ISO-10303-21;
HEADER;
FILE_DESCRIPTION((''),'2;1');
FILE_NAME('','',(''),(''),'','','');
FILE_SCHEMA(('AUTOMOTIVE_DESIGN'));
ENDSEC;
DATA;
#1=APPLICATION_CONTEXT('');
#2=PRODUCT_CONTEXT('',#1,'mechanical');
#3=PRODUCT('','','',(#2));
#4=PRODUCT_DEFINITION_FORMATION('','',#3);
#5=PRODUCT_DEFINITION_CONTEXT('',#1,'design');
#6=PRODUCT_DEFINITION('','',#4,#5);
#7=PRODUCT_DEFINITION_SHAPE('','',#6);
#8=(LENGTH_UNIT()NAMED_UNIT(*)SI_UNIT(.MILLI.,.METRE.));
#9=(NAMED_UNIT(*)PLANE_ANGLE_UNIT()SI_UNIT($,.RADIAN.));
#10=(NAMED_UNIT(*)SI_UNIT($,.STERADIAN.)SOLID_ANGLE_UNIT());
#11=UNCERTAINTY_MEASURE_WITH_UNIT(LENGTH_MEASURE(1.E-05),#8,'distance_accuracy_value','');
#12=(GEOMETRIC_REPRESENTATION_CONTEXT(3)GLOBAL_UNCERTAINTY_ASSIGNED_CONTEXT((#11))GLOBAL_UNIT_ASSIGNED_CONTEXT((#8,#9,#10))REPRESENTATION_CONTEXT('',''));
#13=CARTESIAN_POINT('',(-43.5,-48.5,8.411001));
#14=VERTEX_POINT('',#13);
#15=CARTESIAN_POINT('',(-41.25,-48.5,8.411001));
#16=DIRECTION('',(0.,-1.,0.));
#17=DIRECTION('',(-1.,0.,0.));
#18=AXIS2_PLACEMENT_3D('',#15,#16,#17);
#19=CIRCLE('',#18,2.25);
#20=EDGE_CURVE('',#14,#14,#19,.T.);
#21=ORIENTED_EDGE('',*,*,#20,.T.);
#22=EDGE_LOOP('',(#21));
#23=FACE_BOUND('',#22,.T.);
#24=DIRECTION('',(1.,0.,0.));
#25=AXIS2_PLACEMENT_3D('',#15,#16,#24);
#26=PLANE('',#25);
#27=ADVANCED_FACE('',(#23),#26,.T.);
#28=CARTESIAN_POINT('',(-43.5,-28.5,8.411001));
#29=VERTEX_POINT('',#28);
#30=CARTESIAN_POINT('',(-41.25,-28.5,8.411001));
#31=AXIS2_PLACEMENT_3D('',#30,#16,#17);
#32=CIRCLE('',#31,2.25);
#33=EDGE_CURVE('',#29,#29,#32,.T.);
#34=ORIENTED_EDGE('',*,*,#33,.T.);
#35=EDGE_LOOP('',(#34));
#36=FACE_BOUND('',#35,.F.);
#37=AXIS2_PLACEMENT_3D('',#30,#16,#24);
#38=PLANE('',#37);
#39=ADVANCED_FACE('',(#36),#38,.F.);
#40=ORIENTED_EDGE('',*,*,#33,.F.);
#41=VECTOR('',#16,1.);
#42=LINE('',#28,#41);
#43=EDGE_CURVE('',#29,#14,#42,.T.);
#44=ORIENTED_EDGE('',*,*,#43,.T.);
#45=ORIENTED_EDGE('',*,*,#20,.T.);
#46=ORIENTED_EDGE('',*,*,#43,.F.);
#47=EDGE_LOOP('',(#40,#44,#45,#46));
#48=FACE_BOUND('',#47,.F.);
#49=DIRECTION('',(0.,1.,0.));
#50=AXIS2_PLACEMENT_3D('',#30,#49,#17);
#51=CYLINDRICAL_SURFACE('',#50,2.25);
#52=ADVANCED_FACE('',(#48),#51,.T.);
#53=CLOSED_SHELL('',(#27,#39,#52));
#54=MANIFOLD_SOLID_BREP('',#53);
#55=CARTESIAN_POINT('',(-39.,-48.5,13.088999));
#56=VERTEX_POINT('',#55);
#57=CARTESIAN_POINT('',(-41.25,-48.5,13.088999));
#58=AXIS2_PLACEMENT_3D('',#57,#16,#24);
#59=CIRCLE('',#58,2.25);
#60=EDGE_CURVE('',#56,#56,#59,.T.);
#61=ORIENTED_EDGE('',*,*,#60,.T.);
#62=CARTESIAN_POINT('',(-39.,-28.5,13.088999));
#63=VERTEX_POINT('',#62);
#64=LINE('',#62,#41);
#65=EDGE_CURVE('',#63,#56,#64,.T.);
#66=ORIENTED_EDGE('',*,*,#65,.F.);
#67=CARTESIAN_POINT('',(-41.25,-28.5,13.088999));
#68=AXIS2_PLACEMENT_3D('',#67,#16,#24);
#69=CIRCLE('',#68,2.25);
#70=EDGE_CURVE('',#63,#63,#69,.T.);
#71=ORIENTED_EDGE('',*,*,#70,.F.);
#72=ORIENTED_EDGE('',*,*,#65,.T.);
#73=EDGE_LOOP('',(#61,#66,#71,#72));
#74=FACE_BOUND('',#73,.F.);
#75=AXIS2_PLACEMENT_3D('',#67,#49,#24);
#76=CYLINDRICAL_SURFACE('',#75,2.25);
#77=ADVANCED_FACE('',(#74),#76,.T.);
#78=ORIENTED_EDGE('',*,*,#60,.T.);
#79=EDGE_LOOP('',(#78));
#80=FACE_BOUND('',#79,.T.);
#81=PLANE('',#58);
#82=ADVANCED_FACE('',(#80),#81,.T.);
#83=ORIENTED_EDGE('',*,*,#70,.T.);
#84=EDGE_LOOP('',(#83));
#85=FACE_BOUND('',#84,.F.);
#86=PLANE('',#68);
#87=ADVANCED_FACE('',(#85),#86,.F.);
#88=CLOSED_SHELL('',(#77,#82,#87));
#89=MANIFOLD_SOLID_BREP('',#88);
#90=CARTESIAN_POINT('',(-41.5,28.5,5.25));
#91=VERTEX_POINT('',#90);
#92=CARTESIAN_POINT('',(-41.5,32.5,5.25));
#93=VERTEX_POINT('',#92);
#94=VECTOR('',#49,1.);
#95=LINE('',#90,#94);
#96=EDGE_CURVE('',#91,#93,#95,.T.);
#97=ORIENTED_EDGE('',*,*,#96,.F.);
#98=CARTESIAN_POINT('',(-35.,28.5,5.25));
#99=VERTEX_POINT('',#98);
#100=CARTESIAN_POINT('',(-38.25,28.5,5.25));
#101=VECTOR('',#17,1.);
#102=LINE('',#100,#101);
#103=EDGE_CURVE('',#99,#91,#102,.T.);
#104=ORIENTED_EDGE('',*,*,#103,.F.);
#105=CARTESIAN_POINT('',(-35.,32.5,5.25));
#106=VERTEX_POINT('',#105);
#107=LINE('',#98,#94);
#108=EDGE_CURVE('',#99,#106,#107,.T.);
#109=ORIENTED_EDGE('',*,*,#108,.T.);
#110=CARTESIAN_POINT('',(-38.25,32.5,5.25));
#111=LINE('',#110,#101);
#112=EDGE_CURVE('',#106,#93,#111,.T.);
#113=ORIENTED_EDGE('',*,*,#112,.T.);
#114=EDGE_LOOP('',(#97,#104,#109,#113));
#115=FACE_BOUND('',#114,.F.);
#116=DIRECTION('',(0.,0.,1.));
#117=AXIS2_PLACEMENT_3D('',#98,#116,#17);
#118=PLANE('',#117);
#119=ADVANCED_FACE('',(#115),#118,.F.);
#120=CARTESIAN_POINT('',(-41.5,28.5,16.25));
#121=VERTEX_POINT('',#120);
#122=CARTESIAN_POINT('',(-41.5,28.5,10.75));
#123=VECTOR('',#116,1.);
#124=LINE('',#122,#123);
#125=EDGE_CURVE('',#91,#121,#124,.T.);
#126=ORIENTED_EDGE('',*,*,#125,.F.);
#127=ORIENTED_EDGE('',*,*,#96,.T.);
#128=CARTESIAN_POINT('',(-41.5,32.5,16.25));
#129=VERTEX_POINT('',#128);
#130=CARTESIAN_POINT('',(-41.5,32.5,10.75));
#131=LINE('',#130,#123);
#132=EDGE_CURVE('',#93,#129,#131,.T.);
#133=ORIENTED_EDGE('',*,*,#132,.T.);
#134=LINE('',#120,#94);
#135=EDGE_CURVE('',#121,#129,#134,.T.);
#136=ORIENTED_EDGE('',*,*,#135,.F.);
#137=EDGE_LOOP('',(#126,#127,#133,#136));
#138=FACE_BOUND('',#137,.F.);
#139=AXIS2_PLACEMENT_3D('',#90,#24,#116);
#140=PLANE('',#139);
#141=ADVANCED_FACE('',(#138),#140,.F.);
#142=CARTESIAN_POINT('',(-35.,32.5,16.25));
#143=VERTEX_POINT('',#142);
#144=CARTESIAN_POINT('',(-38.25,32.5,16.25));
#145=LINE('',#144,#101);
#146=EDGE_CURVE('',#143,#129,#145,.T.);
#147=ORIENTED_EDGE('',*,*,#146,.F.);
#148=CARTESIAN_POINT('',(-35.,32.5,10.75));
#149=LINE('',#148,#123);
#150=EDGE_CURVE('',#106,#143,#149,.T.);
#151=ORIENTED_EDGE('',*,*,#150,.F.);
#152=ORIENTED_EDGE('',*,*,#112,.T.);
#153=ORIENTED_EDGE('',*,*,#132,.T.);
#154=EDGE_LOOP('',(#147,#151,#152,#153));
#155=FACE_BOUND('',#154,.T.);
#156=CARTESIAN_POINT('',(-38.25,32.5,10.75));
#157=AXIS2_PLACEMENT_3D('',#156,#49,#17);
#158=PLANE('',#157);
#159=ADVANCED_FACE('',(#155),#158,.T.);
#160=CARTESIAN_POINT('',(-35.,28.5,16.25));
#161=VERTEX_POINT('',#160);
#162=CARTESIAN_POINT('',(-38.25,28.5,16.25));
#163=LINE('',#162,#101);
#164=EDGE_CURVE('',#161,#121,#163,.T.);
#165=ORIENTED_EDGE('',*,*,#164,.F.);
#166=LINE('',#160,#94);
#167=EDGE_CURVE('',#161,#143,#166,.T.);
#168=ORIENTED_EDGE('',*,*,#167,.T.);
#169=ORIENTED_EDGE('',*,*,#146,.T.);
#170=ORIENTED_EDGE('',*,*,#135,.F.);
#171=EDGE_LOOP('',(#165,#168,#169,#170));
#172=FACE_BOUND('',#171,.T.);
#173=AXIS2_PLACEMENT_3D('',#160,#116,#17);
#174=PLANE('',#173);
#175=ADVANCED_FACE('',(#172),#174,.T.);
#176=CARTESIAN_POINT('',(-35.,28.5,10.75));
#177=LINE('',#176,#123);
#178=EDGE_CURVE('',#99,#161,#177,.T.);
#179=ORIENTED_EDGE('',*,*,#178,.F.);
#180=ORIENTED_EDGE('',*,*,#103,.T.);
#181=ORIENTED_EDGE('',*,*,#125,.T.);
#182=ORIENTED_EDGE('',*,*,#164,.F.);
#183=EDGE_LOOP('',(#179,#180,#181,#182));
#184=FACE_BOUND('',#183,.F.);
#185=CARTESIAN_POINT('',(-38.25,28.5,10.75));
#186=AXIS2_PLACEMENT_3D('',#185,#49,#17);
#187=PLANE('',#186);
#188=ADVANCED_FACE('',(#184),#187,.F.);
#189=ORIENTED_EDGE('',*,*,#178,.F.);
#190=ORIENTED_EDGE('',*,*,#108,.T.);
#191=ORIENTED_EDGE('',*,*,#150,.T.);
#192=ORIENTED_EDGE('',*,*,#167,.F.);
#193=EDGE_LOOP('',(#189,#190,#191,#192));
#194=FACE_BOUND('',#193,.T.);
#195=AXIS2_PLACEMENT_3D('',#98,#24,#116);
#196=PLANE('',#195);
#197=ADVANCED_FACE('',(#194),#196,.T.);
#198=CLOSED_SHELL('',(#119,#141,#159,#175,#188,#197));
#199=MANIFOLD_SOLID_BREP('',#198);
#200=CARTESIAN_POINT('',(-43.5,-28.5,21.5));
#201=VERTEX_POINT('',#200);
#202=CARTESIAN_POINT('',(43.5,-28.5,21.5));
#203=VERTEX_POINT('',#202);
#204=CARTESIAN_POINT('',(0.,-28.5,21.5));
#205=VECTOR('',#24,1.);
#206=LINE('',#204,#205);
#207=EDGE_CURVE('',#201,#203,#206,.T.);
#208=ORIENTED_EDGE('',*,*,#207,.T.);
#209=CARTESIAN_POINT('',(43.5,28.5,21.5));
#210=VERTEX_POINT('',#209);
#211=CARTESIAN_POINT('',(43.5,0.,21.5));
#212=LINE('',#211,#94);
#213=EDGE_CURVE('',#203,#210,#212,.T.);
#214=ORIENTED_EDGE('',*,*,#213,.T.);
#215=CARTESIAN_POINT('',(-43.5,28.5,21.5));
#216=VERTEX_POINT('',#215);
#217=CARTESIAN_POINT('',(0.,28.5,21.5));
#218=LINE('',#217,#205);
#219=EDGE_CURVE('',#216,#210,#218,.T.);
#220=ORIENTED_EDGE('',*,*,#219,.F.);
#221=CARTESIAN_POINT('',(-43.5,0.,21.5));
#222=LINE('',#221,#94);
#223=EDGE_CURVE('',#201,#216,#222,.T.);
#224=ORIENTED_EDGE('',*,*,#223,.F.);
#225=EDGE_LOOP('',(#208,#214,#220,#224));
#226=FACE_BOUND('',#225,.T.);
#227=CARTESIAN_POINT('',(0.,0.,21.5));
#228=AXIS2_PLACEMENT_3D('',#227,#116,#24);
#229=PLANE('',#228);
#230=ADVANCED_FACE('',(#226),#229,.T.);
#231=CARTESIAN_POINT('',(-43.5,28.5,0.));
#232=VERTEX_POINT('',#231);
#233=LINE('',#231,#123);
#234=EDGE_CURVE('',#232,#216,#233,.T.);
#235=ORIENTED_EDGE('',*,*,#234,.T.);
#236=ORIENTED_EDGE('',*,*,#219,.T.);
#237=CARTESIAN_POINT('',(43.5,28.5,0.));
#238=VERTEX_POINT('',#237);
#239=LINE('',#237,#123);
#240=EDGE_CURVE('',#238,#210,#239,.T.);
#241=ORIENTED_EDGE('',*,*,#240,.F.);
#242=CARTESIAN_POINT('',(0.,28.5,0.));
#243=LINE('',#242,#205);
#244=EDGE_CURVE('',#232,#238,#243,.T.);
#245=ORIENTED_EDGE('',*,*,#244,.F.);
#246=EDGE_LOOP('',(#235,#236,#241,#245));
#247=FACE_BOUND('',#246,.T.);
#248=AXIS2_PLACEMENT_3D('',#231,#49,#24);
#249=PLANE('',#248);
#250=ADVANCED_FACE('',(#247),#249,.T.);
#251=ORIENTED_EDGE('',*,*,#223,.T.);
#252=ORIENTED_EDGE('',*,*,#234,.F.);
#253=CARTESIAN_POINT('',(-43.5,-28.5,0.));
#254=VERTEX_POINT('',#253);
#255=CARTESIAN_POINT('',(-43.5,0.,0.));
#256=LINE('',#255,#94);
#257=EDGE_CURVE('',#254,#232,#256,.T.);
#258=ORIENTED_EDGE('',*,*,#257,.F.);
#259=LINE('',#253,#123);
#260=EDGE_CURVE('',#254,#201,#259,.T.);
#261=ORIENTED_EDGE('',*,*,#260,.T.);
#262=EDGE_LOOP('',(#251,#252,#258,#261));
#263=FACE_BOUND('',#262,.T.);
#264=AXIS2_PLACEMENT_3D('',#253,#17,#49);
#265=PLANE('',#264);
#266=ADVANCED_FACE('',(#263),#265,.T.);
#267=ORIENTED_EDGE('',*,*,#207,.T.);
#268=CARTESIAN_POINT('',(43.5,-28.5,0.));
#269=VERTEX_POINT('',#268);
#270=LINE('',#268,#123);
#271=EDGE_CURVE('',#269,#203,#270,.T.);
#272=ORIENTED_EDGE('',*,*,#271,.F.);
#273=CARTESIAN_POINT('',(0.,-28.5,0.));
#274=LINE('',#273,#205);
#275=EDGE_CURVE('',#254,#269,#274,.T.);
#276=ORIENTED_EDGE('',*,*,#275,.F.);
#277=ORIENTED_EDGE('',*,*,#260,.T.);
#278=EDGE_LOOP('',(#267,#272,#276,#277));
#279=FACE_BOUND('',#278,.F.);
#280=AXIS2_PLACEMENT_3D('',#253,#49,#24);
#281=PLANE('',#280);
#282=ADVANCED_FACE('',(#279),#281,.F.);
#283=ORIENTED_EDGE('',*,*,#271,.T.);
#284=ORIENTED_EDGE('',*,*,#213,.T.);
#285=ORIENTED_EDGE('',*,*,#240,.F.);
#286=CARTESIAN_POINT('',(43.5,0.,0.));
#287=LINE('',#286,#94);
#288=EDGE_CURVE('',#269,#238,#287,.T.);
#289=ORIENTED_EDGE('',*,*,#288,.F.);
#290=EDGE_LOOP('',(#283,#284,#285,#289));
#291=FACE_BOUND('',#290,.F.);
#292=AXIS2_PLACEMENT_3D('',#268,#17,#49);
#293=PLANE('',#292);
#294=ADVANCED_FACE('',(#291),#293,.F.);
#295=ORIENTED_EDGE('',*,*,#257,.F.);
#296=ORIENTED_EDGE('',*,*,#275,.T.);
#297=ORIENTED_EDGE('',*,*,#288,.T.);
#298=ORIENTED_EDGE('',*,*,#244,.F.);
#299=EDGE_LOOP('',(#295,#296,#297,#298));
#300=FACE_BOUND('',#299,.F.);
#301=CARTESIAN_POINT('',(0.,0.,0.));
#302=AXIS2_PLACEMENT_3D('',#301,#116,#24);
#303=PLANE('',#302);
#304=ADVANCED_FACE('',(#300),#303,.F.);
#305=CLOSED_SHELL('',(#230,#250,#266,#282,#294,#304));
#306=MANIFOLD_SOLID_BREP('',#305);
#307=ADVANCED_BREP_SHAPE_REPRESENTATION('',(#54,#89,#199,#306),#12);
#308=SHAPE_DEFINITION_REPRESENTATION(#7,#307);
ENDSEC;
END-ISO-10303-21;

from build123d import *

# Parameters (mm, degrees)
F0_W     = 87
F0_H     = 57
F1_DEPTH = 21.5
F3_DEPTH = 20
F4_W     = 6.5
F4_H     = 11
F5_DEPTH = 4


with BuildPart() as f1:
    # F0 (on Top) → F1 (new body)
    with BuildSketch(Plane.XY):
        Rectangle(F0_W, F0_H)
    extrude(amount=F1_DEPTH)


with BuildPart() as f3:
    # F2 (on face) → F3 (new body)
    with BuildSketch(Plane.XZ.offset(28.5)):
        with BuildLine():
            ThreePointArc((-43.5, 13.088999), (-41.25, 10.838999), (-39, 13.088999))
            ThreePointArc((-39, 13.088999), (-41.25, 15.338999), (-43.5, 13.088999))
        make_face()
        with BuildLine():
            ThreePointArc((-39, 8.411001), (-41.25, 10.661001), (-43.5, 8.411001))
            ThreePointArc((-43.5, 8.411001), (-41.25, 6.161001), (-39, 8.411001))
        make_face()
    extrude(amount=F3_DEPTH)


with BuildPart() as f5:
    # F4 (on face) → F5 (new body)
    with BuildSketch(Plane(origin=(0, 28.5, 0), x_dir=(-1, 0, 0), z_dir=(0, 1, 0))):
        with Locations((38.25, 10.75)):
            Rectangle(F4_W, F4_H)
    extrude(amount=F5_DEPTH)


solid = Compound([f1.part, f3.part, f5.part])
